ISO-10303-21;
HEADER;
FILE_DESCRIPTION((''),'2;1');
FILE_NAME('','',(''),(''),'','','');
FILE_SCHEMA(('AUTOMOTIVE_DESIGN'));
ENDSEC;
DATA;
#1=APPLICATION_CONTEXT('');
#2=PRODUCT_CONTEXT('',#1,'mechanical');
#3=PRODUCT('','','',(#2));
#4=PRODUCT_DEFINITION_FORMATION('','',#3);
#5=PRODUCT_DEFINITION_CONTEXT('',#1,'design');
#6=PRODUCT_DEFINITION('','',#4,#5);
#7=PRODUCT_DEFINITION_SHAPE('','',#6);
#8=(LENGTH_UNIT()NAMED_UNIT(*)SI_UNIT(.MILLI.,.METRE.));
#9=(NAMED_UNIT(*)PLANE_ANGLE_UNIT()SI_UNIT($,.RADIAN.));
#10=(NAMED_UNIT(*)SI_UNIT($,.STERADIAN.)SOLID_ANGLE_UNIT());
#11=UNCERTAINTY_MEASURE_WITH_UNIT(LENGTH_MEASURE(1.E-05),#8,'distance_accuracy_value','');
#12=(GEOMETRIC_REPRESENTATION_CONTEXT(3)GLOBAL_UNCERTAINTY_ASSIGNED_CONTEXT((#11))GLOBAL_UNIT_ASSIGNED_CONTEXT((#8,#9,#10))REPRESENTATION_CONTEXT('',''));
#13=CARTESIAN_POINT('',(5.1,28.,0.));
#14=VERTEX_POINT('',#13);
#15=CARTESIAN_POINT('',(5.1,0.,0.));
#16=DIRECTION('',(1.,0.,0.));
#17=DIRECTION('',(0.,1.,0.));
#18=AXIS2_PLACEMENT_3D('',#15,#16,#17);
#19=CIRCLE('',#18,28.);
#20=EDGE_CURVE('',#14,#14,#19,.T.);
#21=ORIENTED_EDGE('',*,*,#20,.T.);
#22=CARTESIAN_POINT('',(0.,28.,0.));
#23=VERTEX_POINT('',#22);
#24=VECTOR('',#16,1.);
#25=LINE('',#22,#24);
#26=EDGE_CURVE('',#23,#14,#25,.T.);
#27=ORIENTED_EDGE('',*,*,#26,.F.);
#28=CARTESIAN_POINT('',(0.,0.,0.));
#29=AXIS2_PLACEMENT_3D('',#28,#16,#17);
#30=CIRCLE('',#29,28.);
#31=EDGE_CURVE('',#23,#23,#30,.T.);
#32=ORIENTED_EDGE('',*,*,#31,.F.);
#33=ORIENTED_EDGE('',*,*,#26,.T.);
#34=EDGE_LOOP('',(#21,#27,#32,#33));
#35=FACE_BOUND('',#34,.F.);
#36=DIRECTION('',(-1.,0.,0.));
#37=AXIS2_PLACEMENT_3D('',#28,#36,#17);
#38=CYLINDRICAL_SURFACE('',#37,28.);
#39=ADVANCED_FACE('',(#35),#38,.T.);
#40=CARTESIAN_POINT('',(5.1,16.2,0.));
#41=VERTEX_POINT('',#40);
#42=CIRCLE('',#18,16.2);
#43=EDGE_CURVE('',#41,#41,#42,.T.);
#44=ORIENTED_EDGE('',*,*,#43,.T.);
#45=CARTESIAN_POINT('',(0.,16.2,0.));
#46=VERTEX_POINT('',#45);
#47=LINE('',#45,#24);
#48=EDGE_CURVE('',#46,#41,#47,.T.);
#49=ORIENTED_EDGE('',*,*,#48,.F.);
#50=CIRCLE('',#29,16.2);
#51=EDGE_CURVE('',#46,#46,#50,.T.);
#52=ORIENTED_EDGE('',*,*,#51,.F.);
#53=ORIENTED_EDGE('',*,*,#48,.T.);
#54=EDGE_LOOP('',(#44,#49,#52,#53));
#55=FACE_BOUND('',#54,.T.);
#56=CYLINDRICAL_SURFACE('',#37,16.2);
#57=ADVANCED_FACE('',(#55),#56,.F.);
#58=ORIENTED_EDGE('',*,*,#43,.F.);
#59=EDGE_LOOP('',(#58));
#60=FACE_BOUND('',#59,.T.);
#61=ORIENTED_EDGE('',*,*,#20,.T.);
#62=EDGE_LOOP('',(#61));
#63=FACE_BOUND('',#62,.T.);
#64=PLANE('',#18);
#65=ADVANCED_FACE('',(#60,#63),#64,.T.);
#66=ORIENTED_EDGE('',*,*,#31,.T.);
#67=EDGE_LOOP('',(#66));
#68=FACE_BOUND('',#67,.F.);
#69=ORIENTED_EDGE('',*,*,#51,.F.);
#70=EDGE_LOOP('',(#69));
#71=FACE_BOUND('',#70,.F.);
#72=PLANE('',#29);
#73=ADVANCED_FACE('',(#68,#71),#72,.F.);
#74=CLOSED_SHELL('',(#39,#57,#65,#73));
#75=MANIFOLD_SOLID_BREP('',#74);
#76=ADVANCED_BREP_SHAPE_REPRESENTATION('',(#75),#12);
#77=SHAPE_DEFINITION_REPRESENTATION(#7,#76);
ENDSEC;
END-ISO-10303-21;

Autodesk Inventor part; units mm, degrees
ref_plane "YZ Plane" through (0, 0, 0) normal (1, 0, 0) x (0, 1, 0)
ref_plane "XZ Plane" through (0, 0, 0) normal (0, 1, 0) x (-1, 0, 0)
sketch "Sketch" plane through (0, 0, 0) normal (1, 0, 0) x (0, 1, 0)
  circle A0 centre (0, 0) radius 28
  circle A1 centre (0, 0) radius 16.2
  dimension "d0" = 32.4
  dimension "d1" = 56
extrude "Body" add sketch "Sketch" along normal blind 5.1
ref_plane "Work Plane1" through (0, 0, 0) normal (0, 0, 1) x (1, 0, 0)
equation "\"d0\" = SD1"
equation "\"d1\" = SD2"
equation "\"d2\" = SD"
equation "\"SD1\" = 32.4"
equation "\"SD2\" = 56"
equation "\"SD\" = 5.1"
properties part number "ANSI B18.22M - 30 N" material "Steel, Mild"
